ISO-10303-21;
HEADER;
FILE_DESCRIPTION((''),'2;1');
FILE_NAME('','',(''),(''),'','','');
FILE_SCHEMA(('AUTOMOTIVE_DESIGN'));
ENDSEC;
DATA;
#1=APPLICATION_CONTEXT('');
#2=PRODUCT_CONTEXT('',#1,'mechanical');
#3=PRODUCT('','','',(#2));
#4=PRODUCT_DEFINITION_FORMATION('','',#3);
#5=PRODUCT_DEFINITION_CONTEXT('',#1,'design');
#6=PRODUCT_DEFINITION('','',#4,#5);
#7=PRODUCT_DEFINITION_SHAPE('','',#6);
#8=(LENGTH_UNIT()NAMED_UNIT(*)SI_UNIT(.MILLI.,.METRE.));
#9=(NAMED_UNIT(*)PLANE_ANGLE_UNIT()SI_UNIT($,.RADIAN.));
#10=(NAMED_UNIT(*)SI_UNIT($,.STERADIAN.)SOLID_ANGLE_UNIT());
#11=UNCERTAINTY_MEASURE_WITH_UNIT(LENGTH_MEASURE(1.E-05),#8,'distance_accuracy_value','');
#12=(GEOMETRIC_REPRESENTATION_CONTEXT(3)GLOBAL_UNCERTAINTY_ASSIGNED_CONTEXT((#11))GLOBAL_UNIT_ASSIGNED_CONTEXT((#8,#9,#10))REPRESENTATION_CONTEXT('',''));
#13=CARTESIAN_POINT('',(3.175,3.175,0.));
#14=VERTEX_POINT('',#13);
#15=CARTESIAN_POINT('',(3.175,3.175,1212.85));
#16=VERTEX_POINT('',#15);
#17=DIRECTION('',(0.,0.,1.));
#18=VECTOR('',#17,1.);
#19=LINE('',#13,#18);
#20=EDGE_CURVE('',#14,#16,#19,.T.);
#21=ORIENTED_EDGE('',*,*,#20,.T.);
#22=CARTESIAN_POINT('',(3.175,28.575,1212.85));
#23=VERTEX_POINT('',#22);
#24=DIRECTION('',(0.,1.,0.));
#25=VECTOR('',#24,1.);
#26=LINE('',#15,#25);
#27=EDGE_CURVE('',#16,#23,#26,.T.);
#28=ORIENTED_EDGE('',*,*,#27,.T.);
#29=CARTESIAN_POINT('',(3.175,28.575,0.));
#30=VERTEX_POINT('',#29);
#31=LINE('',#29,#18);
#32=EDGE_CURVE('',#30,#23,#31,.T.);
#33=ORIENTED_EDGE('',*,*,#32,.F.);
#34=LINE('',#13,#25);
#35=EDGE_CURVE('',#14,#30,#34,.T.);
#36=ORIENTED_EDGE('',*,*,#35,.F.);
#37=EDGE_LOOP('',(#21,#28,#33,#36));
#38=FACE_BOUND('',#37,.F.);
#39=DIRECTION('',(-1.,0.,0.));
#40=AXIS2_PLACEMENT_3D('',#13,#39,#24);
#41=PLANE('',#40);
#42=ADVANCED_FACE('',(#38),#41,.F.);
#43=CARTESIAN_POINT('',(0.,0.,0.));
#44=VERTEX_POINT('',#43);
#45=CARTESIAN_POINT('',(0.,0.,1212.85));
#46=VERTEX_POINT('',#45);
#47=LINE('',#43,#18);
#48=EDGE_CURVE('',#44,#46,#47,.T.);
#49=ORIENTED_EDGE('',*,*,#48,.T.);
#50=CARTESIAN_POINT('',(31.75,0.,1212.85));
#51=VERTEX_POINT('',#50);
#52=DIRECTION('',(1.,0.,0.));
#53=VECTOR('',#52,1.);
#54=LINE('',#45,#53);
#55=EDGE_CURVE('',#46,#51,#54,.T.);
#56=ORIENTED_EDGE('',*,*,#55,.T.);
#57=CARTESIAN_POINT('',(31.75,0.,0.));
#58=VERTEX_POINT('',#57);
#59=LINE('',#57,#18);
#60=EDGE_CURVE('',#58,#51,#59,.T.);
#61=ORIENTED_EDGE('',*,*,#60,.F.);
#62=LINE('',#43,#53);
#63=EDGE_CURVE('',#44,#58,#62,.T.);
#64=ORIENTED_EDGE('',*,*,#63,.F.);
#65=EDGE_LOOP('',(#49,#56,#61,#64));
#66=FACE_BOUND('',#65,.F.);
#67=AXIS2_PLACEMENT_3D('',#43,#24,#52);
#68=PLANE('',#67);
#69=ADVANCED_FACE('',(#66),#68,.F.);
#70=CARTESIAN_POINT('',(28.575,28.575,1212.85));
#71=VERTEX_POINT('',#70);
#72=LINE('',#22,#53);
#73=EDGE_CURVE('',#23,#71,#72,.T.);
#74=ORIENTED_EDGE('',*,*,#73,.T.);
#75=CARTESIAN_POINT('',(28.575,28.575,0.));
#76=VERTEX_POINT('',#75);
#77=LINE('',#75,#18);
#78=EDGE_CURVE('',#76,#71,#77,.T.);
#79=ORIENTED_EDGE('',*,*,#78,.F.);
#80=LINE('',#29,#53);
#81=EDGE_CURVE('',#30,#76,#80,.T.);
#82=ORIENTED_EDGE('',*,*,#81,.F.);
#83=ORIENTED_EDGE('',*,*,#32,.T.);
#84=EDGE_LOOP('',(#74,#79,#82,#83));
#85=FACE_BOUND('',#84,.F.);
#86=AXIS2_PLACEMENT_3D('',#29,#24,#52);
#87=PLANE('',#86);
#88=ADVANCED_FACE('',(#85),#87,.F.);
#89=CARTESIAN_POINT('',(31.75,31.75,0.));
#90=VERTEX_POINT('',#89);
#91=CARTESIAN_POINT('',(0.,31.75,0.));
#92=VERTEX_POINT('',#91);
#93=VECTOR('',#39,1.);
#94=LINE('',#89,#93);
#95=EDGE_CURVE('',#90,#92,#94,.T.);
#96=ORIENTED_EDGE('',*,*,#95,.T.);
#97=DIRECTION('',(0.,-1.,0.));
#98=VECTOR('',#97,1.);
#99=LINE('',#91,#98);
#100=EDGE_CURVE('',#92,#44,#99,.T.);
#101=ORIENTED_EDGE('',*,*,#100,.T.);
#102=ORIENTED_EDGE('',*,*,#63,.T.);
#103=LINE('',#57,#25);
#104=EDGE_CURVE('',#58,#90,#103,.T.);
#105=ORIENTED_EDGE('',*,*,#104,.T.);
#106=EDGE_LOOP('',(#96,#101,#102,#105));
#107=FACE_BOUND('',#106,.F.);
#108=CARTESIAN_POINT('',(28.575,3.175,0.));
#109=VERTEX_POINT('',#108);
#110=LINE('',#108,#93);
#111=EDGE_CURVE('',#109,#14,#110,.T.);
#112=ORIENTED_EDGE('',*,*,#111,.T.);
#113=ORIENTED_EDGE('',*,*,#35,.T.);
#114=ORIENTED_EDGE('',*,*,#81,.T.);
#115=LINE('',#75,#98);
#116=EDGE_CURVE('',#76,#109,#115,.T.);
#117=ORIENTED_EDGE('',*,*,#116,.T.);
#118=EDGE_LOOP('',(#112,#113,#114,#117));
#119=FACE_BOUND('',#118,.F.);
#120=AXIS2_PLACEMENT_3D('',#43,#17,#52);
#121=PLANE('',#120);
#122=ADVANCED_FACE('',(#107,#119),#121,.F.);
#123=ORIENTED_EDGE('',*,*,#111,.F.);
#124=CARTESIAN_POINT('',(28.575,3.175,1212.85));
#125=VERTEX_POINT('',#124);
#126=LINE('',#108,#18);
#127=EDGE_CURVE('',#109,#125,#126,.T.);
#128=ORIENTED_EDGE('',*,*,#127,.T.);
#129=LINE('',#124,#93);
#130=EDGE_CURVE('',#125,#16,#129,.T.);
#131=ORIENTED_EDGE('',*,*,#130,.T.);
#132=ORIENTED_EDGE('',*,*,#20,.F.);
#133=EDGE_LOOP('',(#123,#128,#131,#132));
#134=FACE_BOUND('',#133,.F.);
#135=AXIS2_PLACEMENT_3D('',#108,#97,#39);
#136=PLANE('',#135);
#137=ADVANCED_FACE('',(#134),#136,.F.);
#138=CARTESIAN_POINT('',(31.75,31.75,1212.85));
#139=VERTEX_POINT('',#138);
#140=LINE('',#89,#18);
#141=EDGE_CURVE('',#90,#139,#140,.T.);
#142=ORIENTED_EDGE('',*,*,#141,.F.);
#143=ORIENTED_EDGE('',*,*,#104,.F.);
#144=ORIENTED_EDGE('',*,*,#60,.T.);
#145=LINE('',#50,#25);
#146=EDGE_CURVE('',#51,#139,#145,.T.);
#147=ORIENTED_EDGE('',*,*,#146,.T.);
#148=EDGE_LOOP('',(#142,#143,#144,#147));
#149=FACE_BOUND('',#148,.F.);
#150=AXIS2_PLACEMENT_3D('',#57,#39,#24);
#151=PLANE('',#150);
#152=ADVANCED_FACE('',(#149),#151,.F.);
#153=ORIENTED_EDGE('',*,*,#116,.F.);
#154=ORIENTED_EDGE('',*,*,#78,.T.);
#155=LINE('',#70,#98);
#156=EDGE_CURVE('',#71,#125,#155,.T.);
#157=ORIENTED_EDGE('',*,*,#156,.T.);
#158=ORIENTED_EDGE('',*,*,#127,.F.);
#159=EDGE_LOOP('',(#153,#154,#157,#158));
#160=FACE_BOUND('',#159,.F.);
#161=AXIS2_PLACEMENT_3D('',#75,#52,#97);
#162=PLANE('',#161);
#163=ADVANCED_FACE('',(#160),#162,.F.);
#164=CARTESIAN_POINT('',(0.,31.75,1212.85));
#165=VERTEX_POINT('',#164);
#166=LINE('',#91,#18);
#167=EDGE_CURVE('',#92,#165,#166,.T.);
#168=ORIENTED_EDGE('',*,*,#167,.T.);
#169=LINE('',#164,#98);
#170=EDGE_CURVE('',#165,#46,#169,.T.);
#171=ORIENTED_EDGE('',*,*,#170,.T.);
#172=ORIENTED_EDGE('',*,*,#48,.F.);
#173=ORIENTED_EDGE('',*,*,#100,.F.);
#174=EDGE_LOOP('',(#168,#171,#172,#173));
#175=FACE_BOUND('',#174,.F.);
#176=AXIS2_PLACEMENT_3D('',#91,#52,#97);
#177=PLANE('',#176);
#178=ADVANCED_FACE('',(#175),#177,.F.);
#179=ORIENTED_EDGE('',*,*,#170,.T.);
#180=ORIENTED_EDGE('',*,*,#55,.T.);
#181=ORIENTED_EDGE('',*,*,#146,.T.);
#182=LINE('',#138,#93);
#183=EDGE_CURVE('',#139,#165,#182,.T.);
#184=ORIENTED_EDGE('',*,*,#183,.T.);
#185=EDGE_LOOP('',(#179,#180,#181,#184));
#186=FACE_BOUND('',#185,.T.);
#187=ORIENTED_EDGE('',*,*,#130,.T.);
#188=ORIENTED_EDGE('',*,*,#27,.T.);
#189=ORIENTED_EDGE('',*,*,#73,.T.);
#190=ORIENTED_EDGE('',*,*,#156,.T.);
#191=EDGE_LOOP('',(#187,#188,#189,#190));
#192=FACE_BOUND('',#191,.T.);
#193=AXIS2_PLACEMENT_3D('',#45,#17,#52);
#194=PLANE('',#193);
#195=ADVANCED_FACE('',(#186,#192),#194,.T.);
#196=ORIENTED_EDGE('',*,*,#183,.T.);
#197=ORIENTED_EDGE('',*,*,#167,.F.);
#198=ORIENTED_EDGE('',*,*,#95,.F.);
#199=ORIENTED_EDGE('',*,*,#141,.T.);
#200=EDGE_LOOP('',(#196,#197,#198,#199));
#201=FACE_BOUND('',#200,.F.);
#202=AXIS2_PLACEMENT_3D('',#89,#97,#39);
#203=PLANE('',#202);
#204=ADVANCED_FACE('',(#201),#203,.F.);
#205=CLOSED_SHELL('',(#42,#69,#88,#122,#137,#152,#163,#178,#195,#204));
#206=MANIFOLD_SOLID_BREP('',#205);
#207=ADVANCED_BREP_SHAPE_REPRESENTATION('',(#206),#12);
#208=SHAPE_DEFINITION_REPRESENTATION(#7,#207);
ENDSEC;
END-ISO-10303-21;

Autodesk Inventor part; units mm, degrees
ref_plane "YZ Plane" through (0, 0, 0) normal (1, 0, 0) x (0, 1, 0)
ref_plane "XZ Plane" through (0, 0, 0) normal (0, 1, 0) x (-1, 0, 0)
ref_plane "XY Plane" through (0, 0, 0) normal (0, 0, 1) x (1, 0, 0)
sketch "Sketch1" plane through (0, 0, 0) normal (0, 0, 1) x (1, 0, 0)
  line L0 (0, 0) -> (31.75, 0)
  line L1 (31.75, 0) -> (31.75, 31.75)
  line L2 (31.75, 31.75) -> (0, 31.75)
  line L3 (0, 31.75) -> (0, 0)
  line L4 (3.175, 28.575) -> (28.575, 28.575)
  line L5 (28.575, 28.575) -> (28.575, 3.175)
  line L6 (28.575, 3.175) -> (3.175, 3.175)
  line L7 (3.175, 3.175) -> (3.175, 28.575)
  dimension "d0" = 31.75
  dimension "d1" = 3.175
extrude "Extrusion1" add sketch "Sketch1" along normal blind 1212.85
properties part number "GE-12092-01"
